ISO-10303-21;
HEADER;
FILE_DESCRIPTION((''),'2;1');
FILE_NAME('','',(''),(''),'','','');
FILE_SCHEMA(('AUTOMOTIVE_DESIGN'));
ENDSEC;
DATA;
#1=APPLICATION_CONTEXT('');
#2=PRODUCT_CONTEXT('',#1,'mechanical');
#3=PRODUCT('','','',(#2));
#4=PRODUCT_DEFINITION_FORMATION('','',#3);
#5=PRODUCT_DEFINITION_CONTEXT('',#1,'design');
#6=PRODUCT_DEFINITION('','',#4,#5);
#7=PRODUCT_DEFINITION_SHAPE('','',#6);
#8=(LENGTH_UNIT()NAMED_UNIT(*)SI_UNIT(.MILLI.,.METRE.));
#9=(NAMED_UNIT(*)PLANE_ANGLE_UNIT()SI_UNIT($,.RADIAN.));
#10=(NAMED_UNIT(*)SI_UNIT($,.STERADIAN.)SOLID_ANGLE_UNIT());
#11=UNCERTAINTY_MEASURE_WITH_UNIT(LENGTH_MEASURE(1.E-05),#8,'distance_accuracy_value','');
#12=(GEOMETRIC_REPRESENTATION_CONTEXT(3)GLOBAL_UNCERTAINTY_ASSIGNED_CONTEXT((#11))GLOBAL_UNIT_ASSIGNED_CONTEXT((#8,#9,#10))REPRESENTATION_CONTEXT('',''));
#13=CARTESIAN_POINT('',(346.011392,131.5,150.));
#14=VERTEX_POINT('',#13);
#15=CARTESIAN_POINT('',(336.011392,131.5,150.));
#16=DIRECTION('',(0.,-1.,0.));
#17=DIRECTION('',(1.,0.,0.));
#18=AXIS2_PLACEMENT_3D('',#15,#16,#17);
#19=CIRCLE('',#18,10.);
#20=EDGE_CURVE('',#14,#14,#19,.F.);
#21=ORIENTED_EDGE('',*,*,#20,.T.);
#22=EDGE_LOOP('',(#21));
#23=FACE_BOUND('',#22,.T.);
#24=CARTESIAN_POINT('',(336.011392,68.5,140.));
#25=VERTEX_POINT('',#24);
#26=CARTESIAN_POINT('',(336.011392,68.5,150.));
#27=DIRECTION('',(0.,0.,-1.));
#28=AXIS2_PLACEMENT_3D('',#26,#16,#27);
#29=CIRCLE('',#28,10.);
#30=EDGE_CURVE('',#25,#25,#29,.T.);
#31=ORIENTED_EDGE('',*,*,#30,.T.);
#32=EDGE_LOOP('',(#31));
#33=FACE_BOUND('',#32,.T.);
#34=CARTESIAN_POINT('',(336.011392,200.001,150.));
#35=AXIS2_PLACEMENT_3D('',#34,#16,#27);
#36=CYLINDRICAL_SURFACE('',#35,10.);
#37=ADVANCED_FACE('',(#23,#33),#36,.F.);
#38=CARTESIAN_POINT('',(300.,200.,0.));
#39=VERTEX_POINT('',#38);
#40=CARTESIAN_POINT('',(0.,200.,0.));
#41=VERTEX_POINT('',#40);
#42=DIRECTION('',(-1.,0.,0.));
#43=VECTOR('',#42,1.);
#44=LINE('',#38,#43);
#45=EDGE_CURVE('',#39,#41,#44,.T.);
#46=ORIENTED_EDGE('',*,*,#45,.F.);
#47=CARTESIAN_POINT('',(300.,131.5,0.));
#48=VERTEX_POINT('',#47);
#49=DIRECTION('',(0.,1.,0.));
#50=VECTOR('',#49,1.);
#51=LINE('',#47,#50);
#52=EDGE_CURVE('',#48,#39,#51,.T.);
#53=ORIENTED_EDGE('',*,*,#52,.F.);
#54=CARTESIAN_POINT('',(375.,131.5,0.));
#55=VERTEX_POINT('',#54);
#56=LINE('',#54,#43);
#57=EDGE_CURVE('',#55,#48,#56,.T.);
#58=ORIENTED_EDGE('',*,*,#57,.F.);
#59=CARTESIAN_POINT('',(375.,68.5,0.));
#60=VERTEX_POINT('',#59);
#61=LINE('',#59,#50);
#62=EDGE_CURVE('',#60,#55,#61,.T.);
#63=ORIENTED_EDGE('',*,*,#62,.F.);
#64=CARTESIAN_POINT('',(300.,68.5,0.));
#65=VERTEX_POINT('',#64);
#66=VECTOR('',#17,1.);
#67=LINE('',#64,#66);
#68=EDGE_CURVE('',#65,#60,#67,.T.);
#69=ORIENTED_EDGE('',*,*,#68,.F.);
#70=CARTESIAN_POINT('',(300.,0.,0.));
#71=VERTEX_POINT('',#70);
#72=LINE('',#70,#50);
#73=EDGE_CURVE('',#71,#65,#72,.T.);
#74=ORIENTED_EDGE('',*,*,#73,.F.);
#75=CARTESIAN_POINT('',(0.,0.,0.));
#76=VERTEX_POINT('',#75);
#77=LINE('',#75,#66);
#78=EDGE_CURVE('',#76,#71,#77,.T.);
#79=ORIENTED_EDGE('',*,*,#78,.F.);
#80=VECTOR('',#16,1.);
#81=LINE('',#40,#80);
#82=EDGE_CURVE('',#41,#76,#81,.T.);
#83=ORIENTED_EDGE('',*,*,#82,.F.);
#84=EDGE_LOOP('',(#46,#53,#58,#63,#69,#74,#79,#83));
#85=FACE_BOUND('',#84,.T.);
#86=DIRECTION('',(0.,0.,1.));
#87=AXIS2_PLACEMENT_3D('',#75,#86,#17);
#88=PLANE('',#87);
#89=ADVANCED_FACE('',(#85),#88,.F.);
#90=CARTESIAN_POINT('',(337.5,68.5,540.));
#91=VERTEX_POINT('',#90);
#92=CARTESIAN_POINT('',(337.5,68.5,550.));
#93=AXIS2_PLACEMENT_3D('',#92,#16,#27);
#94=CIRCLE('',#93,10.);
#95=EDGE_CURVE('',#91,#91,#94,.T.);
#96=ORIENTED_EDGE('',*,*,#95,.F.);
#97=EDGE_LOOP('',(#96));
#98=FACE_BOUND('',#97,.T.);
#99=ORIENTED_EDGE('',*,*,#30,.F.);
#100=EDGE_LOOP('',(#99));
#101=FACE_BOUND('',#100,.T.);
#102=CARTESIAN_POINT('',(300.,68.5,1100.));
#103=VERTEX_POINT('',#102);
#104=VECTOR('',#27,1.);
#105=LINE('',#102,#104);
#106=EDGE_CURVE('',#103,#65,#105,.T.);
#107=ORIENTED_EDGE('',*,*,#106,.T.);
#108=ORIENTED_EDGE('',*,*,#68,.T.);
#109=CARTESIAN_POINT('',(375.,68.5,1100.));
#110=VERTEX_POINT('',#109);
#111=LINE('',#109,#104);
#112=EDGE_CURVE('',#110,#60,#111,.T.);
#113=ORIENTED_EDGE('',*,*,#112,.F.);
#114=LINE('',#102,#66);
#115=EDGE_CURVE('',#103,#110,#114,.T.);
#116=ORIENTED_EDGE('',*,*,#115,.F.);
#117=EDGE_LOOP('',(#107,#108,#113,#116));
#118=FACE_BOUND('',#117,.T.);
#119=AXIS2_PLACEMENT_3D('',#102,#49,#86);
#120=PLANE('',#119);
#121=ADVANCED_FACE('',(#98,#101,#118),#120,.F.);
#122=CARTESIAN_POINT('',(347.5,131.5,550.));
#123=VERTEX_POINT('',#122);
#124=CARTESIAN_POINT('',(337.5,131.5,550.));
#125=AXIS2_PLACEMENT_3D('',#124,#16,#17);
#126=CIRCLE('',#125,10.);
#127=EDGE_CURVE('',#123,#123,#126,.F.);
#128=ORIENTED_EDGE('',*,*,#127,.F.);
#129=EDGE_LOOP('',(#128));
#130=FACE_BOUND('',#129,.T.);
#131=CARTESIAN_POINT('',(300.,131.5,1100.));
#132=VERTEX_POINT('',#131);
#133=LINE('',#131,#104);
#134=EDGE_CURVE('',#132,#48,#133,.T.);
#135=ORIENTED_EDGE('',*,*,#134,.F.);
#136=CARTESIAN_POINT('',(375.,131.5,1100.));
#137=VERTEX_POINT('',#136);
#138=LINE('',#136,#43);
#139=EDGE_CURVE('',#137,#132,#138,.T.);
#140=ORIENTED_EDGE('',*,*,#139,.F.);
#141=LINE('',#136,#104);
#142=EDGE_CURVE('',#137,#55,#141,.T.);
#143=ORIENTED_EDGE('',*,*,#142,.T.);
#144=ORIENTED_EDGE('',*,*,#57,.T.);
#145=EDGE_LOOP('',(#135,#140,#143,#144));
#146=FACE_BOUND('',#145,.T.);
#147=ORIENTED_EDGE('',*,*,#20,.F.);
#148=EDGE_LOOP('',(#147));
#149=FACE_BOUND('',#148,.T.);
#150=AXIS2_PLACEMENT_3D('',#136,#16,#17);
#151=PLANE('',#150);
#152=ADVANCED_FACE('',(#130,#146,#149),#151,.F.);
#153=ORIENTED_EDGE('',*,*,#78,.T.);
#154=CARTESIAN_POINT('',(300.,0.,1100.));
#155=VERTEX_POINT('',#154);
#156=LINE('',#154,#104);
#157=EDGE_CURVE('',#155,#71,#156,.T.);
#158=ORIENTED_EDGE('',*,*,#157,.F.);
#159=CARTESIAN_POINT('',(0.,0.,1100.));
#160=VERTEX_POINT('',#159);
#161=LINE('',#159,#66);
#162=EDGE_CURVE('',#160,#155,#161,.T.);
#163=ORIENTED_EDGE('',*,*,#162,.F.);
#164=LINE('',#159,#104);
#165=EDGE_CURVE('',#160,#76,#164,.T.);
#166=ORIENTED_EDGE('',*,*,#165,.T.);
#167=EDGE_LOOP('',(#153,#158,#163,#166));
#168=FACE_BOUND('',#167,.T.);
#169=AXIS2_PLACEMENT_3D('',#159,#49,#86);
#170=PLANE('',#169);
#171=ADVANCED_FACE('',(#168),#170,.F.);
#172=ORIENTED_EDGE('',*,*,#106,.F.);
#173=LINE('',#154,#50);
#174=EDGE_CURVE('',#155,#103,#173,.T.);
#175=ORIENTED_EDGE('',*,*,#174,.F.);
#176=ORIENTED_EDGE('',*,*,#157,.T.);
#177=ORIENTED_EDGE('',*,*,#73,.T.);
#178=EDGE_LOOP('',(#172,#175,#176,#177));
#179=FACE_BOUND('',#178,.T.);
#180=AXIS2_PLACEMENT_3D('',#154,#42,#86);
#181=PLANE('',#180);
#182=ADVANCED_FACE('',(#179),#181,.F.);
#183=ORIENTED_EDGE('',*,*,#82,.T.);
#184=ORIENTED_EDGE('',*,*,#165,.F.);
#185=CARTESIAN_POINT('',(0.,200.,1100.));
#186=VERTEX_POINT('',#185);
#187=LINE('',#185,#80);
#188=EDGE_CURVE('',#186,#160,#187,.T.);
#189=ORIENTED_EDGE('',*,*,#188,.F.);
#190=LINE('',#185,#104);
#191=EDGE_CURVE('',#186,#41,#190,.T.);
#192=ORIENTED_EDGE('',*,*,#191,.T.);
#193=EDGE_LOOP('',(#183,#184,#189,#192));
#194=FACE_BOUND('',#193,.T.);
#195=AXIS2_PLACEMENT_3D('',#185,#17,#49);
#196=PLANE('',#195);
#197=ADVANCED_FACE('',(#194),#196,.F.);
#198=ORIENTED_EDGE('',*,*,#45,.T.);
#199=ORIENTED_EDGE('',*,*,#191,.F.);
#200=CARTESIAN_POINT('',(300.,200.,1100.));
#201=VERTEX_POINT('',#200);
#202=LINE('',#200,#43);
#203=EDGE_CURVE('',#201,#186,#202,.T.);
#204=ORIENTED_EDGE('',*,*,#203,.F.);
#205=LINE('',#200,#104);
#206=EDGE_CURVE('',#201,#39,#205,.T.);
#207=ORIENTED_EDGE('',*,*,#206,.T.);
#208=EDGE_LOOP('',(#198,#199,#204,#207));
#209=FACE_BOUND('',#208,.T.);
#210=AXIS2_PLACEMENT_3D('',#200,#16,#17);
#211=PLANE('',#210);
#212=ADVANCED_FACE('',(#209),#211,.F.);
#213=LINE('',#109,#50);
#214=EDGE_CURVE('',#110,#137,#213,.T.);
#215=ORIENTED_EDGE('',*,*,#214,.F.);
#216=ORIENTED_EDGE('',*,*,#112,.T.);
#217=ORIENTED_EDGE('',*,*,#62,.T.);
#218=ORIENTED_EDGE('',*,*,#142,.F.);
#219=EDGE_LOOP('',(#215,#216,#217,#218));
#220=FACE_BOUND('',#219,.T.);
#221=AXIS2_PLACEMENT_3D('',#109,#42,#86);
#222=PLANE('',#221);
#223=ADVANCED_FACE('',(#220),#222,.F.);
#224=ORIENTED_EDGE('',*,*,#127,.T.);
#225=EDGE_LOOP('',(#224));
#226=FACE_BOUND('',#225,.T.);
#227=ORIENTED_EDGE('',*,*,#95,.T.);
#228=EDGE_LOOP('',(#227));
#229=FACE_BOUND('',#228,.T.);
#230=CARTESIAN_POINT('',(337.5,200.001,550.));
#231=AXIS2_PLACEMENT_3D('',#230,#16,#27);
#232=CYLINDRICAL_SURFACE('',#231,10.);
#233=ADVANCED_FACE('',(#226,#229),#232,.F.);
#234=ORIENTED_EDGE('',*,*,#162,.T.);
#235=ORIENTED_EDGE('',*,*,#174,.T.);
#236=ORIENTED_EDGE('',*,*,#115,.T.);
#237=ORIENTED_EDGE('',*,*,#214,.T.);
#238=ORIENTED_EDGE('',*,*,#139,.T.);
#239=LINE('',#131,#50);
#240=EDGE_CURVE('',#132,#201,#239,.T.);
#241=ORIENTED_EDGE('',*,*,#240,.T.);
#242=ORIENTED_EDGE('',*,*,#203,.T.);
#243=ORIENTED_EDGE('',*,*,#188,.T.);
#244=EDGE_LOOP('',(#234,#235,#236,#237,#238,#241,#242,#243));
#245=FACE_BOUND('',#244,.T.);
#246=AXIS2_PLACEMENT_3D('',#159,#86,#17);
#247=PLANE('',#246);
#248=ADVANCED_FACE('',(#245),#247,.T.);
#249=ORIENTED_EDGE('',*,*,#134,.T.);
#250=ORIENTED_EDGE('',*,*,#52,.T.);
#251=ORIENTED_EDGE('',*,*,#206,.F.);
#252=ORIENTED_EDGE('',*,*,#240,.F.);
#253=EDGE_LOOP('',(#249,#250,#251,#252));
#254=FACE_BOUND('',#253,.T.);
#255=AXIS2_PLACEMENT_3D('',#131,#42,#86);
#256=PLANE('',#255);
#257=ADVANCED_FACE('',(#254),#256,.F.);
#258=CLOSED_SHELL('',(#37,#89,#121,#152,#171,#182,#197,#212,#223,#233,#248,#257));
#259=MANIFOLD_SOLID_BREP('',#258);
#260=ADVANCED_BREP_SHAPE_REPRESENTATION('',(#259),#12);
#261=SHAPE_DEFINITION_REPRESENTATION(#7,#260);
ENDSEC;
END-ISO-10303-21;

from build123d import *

# Parameters (mm, degrees)
BOSS_EXTRU_1_DEPTH      = 1100
ENL_V_MAT_EXTRU_1_REACH = 1171.58
ESQUISSE2_R             = 10
ENL_V_MAT_EXTRU_2_REACH = 1171.58
ESQUISSE3_R             = 10


with BuildPart() as part:
    # Esquisse1 → Boss.-Extru.1 (new body)
    with BuildSketch(Plane.XY):
        Polygon((0, 0), (300, 0), (300, 68.5), (375, 68.5), (375, 131.5), (300, 131.5), (300, 200), (0, 200), align=None)
    extrude(amount=BOSS_EXTRU_1_DEPTH)

    # Esquisse2 → Enlèv. mat.-Extru.1 (cut, up to next)
    with BuildSketch(Plane.XZ.offset(-68.5), mode=Mode.PRIVATE) as enl_v_mat_extru_1_sk1:
        with Locations(Location((337.5, 550, 0), (0, 0, 270))):
            Circle(ESQUISSE2_R)
    enl_v_mat_extru_1_tool1 = extrude(enl_v_mat_extru_1_sk1.sketch, amount=-ENL_V_MAT_EXTRU_1_REACH, mode=Mode.PRIVATE) & part.part
    add(enl_v_mat_extru_1_tool1.solids().sort_by_distance((337.5, 68.5, 550))[0], mode=Mode.SUBTRACT)

    # Esquisse3 → Enlèv. mat.-Extru.2 (cut, up to next)
    with BuildSketch(Plane.XZ.offset(-68.5), mode=Mode.PRIVATE) as enl_v_mat_extru_2_sk1:
        with Locations(Location((336.011391588, 150, 0), (0, 0, 270))):
            Circle(ESQUISSE3_R)
    enl_v_mat_extru_2_tool1 = extrude(enl_v_mat_extru_2_sk1.sketch, amount=-ENL_V_MAT_EXTRU_2_REACH, mode=Mode.PRIVATE) & part.part
    add(enl_v_mat_extru_2_tool1.solids().sort_by_distance((336.011392, 68.5, 150))[0], mode=Mode.SUBTRACT)


solid = part.part
